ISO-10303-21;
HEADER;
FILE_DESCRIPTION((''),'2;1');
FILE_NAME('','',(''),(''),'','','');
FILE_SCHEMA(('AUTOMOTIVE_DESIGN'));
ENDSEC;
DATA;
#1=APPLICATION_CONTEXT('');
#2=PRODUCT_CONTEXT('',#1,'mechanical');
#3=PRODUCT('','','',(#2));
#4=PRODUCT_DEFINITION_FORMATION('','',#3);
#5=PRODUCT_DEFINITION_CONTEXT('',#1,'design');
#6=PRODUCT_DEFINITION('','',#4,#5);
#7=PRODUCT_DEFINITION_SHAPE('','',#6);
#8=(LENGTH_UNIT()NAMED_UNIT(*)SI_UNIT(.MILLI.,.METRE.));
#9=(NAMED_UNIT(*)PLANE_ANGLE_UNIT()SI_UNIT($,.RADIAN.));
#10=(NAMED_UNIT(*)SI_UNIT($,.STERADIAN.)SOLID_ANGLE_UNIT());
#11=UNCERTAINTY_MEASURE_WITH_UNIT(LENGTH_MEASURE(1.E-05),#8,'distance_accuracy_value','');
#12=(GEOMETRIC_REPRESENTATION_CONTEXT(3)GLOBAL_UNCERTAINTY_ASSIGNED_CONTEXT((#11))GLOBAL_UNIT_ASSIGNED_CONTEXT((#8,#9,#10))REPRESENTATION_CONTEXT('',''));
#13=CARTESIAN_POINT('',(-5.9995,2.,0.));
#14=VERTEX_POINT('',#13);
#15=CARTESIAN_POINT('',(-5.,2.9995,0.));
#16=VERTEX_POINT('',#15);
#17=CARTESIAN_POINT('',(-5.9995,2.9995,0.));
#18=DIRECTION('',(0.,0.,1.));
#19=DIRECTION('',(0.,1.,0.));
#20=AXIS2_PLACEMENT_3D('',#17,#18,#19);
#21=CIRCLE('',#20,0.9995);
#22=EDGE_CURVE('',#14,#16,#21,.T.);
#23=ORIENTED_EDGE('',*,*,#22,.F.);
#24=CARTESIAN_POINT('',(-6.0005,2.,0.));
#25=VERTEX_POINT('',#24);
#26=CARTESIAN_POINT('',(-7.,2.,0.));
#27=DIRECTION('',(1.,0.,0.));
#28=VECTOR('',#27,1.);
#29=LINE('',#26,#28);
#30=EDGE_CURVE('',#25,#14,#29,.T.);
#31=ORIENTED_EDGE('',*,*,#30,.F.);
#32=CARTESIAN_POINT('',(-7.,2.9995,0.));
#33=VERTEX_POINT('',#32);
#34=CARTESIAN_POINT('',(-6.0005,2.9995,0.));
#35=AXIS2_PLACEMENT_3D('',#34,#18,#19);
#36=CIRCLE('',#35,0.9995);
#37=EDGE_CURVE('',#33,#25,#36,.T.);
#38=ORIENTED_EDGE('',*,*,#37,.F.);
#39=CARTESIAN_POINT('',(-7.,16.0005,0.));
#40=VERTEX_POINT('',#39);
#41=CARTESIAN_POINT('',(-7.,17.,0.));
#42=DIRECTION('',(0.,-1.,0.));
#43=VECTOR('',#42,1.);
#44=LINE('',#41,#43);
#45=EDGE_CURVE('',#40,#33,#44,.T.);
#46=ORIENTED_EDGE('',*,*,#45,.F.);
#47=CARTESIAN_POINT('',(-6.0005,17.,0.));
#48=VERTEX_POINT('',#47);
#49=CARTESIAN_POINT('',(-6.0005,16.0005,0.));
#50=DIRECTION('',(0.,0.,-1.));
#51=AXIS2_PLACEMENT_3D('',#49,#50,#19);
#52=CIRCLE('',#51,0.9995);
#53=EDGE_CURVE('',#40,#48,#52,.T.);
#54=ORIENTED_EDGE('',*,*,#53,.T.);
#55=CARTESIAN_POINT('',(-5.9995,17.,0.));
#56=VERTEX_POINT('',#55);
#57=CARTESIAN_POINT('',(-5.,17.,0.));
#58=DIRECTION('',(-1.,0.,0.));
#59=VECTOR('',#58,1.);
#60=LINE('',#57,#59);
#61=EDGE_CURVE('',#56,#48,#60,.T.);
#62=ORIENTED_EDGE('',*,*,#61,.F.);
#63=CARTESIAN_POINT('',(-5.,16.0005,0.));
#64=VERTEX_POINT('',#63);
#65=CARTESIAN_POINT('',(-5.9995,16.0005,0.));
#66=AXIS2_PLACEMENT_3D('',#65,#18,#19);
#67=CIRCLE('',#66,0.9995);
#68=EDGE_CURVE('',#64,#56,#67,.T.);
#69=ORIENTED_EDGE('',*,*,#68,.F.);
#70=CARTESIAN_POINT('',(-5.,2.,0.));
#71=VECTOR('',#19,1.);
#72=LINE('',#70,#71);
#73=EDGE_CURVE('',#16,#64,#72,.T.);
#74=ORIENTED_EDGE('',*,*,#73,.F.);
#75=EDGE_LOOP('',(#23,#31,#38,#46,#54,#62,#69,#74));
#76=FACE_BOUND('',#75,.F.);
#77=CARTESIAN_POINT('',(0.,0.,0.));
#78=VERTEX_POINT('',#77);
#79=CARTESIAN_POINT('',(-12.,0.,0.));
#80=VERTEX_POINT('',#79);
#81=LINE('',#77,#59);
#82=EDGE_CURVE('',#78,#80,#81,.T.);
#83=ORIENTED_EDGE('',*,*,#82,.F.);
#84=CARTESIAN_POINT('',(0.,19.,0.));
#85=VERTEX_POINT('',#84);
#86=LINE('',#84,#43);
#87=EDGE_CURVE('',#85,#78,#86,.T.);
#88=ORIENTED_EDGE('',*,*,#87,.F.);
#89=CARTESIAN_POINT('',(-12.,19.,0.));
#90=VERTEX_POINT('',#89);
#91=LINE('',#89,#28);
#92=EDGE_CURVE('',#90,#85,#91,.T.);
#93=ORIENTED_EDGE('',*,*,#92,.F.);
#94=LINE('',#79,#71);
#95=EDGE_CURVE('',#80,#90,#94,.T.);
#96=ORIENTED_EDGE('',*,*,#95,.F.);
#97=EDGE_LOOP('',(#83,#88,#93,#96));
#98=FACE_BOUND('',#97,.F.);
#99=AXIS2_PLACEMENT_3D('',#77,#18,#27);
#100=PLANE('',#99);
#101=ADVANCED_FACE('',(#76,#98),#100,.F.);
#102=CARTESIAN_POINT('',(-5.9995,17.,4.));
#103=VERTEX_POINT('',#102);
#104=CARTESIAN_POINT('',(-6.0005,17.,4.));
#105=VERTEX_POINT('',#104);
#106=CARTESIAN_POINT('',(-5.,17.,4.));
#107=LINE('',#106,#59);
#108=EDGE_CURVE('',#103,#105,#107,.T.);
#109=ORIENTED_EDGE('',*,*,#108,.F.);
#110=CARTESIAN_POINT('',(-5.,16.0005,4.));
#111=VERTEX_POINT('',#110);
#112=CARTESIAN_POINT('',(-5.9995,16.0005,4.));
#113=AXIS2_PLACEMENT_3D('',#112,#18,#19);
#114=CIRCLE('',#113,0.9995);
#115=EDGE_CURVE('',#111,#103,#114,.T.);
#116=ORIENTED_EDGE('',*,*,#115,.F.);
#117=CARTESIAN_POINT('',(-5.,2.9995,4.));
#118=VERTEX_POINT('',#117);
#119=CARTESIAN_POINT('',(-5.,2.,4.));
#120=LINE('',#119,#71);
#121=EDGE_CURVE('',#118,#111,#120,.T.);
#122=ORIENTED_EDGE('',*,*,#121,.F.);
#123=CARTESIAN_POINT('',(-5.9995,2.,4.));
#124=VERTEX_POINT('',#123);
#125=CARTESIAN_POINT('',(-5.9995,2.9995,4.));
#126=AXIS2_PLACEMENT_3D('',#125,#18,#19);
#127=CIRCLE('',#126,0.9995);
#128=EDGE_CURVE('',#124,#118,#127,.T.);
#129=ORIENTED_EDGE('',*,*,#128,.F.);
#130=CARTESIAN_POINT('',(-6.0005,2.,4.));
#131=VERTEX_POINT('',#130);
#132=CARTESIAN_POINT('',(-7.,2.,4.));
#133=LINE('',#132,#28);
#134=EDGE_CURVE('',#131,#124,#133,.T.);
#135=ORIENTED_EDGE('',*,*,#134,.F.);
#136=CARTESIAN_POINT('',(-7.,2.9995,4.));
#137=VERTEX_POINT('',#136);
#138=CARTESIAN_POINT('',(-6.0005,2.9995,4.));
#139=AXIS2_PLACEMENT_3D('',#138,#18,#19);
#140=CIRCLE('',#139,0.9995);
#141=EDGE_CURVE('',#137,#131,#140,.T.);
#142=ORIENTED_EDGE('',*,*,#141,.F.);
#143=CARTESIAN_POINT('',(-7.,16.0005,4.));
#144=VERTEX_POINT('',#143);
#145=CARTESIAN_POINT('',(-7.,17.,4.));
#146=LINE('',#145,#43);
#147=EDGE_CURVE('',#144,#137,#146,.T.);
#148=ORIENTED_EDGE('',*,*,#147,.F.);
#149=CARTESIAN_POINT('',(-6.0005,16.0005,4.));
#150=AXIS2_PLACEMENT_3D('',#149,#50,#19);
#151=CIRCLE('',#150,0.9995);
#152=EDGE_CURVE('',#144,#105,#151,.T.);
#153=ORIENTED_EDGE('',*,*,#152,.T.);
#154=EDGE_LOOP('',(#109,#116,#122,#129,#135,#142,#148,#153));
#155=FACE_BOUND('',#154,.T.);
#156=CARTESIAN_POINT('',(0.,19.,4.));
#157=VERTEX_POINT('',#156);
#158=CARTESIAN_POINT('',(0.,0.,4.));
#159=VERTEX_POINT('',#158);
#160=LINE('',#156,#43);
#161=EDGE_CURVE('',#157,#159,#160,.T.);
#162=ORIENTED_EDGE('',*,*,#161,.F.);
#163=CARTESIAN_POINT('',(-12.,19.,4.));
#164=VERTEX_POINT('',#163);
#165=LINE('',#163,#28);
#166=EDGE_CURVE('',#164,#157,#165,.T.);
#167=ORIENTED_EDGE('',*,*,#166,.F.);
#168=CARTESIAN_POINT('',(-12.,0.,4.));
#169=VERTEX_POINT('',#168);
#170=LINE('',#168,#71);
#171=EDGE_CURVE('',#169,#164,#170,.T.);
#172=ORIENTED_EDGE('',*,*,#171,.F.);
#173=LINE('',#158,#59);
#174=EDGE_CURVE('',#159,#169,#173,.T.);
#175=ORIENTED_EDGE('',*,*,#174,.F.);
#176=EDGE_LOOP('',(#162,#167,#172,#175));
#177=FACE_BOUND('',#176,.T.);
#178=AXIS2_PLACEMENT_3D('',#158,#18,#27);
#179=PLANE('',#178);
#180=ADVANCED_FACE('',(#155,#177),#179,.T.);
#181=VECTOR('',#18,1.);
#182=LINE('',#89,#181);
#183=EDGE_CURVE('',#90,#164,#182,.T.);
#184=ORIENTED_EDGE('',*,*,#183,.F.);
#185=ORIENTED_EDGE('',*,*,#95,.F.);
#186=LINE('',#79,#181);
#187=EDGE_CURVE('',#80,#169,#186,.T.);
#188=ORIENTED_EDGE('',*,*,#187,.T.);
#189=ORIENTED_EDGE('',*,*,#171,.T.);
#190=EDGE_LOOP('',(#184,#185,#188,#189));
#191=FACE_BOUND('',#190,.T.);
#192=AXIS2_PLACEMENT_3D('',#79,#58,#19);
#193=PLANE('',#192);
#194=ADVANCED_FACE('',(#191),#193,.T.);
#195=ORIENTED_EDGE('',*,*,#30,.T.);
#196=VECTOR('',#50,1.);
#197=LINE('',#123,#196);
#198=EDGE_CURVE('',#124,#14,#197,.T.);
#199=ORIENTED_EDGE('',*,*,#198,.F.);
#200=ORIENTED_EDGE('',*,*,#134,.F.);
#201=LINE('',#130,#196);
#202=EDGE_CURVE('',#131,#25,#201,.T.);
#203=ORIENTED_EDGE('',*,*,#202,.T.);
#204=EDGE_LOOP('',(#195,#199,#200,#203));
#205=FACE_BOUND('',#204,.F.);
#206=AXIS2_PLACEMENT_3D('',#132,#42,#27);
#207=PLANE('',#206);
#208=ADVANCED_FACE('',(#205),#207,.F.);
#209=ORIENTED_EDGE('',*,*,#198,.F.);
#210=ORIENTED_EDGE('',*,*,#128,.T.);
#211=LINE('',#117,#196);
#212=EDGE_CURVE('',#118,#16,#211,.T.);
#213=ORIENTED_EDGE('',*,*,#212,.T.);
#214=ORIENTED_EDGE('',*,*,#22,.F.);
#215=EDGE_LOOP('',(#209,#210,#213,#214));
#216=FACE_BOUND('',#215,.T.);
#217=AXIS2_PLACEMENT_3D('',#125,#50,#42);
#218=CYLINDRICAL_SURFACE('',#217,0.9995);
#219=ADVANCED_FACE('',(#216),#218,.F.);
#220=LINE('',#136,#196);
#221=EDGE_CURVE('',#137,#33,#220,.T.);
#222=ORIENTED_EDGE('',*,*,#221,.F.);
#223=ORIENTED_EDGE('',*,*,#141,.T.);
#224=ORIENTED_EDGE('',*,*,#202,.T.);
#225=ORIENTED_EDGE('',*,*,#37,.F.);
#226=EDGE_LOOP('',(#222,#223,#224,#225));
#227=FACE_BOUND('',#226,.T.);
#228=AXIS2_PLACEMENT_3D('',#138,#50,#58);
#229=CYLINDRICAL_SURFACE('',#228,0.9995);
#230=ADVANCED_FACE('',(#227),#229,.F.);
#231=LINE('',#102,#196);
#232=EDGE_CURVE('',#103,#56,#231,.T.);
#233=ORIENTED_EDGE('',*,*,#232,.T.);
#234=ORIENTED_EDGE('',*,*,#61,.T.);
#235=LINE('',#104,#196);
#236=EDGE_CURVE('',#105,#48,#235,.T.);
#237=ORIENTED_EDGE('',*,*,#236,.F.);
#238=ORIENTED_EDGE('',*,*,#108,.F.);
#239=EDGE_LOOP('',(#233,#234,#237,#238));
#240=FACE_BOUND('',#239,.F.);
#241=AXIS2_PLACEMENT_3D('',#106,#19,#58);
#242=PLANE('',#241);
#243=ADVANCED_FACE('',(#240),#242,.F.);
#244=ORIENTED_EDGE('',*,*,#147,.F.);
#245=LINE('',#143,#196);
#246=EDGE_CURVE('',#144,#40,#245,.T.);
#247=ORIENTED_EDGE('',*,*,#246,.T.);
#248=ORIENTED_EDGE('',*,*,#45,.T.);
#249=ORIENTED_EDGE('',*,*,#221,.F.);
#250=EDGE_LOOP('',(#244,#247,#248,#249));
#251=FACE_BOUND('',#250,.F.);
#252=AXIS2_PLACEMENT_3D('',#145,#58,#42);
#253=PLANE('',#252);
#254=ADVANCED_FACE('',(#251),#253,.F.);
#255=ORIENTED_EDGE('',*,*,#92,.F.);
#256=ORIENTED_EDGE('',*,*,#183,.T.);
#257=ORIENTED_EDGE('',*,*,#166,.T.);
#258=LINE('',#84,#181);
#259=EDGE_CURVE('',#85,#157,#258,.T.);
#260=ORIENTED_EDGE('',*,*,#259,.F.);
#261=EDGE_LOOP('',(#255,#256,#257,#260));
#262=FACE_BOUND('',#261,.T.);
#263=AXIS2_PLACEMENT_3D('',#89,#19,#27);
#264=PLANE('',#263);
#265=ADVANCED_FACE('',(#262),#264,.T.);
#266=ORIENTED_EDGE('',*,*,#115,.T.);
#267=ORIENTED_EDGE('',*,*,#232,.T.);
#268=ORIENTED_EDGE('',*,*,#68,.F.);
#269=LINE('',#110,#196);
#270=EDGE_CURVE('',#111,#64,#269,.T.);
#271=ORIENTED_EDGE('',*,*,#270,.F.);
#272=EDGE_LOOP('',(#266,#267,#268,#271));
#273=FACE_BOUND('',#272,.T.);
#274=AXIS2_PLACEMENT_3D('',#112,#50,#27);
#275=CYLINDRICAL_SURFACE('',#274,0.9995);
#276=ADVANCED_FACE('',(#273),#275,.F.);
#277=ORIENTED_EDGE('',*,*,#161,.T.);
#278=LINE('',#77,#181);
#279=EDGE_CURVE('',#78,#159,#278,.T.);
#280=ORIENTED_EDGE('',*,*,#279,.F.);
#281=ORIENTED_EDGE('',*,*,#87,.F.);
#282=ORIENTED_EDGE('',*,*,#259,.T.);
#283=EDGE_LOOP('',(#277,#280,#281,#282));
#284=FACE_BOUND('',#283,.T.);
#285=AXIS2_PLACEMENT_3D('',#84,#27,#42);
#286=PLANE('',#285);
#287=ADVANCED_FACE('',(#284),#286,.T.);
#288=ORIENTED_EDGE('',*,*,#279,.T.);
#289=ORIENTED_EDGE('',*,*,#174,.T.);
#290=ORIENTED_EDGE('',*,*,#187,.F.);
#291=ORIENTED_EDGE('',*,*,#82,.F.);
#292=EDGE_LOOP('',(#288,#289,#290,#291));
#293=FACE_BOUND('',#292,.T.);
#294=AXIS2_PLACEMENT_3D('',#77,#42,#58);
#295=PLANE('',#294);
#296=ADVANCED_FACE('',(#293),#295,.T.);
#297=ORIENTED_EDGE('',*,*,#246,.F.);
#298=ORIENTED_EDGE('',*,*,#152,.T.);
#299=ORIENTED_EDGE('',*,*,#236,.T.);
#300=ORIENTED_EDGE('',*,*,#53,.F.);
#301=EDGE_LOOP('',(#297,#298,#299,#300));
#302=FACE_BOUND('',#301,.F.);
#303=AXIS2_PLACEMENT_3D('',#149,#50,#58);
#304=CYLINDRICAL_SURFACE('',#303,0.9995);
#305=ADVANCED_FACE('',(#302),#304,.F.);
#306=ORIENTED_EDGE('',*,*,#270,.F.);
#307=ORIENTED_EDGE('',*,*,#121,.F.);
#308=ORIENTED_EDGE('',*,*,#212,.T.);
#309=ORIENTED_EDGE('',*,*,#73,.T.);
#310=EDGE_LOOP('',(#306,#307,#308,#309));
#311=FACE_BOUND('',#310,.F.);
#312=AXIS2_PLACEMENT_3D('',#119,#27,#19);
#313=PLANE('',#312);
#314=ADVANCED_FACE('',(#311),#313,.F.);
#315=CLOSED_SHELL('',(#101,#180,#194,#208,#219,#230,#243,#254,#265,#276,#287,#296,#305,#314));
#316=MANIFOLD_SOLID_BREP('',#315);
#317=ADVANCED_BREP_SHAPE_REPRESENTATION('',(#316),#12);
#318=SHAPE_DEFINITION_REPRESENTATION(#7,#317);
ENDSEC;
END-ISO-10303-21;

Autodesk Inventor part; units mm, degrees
ref_plane "YZ Plane" through (0, 0, 0) normal (1, 0, 0) x (0, 1, 0)
ref_plane "XZ Plane" through (0, 0, 0) normal (0, 1, 0) x (-1, 0, 0)
ref_plane "XY Plane" through (0, 0, 0) normal (0, 0, 1) x (1, 0, 0)
sketch "Sketch12" plane through (0, 0, 0) normal (0, 0, 1) x (1, 0, 0)
  line L0 (0, 0) -> (-12, 0)
  line L1 (-12, 0) -> (-12, 19)
  line L2 (-12, 19) -> (0, 19)
  line L3 (0, 19) -> (0, 0)
  dimension "d50" = 12
  dimension "d51" = 19
extrude "Extrusion8" add sketch "Sketch12" along normal blind 4
sketch "Sketch13" plane through (0, 0, 4) normal (0, 0, 1) x (1, 0, 0)
  line L0 (-12, 19) -> (-12, 0) projected
  line L1 (-12, 0) -> (-7, 0)
  line L2 (-7, 0) -> (-7, 2)
  line L3 (-7, 2) -> (-12, 2)
  line L4 (-12, 2) -> (-12, 0)
  line L5 (0, 19) -> (-12, 19) projected
  line L6 (0, 19) -> (-5, 19)
  line L7 (-5, 19) -> (-5, 17)
  line L8 (-5, 17) -> (0, 17)
  line L9 (0, 17) -> (0, 19)
  line L10 (-7, 2) -> (-5, 2)
  line L11 (-5, 2) -> (-5, 17)
  line L12 (-5, 17) -> (-7, 17)
  line L13 (-7, 17) -> (-7, 2)
  point P0 (0, 0)
  dimension "d54" = 5
  dimension "d55" = 2
  dimension "d56" = 5
  dimension "d57" = 2
extrude "Extrusion9" cut sketch "Sketch13" against normal blind 4 contours L13 L12 L11 L10
fillet "Fillet9" radius 1 4 edges at (-7, 17, 2) (-5, 17, 2) (-7, 2, 2) (-5, 2, 2)
properties part number "Rod"
